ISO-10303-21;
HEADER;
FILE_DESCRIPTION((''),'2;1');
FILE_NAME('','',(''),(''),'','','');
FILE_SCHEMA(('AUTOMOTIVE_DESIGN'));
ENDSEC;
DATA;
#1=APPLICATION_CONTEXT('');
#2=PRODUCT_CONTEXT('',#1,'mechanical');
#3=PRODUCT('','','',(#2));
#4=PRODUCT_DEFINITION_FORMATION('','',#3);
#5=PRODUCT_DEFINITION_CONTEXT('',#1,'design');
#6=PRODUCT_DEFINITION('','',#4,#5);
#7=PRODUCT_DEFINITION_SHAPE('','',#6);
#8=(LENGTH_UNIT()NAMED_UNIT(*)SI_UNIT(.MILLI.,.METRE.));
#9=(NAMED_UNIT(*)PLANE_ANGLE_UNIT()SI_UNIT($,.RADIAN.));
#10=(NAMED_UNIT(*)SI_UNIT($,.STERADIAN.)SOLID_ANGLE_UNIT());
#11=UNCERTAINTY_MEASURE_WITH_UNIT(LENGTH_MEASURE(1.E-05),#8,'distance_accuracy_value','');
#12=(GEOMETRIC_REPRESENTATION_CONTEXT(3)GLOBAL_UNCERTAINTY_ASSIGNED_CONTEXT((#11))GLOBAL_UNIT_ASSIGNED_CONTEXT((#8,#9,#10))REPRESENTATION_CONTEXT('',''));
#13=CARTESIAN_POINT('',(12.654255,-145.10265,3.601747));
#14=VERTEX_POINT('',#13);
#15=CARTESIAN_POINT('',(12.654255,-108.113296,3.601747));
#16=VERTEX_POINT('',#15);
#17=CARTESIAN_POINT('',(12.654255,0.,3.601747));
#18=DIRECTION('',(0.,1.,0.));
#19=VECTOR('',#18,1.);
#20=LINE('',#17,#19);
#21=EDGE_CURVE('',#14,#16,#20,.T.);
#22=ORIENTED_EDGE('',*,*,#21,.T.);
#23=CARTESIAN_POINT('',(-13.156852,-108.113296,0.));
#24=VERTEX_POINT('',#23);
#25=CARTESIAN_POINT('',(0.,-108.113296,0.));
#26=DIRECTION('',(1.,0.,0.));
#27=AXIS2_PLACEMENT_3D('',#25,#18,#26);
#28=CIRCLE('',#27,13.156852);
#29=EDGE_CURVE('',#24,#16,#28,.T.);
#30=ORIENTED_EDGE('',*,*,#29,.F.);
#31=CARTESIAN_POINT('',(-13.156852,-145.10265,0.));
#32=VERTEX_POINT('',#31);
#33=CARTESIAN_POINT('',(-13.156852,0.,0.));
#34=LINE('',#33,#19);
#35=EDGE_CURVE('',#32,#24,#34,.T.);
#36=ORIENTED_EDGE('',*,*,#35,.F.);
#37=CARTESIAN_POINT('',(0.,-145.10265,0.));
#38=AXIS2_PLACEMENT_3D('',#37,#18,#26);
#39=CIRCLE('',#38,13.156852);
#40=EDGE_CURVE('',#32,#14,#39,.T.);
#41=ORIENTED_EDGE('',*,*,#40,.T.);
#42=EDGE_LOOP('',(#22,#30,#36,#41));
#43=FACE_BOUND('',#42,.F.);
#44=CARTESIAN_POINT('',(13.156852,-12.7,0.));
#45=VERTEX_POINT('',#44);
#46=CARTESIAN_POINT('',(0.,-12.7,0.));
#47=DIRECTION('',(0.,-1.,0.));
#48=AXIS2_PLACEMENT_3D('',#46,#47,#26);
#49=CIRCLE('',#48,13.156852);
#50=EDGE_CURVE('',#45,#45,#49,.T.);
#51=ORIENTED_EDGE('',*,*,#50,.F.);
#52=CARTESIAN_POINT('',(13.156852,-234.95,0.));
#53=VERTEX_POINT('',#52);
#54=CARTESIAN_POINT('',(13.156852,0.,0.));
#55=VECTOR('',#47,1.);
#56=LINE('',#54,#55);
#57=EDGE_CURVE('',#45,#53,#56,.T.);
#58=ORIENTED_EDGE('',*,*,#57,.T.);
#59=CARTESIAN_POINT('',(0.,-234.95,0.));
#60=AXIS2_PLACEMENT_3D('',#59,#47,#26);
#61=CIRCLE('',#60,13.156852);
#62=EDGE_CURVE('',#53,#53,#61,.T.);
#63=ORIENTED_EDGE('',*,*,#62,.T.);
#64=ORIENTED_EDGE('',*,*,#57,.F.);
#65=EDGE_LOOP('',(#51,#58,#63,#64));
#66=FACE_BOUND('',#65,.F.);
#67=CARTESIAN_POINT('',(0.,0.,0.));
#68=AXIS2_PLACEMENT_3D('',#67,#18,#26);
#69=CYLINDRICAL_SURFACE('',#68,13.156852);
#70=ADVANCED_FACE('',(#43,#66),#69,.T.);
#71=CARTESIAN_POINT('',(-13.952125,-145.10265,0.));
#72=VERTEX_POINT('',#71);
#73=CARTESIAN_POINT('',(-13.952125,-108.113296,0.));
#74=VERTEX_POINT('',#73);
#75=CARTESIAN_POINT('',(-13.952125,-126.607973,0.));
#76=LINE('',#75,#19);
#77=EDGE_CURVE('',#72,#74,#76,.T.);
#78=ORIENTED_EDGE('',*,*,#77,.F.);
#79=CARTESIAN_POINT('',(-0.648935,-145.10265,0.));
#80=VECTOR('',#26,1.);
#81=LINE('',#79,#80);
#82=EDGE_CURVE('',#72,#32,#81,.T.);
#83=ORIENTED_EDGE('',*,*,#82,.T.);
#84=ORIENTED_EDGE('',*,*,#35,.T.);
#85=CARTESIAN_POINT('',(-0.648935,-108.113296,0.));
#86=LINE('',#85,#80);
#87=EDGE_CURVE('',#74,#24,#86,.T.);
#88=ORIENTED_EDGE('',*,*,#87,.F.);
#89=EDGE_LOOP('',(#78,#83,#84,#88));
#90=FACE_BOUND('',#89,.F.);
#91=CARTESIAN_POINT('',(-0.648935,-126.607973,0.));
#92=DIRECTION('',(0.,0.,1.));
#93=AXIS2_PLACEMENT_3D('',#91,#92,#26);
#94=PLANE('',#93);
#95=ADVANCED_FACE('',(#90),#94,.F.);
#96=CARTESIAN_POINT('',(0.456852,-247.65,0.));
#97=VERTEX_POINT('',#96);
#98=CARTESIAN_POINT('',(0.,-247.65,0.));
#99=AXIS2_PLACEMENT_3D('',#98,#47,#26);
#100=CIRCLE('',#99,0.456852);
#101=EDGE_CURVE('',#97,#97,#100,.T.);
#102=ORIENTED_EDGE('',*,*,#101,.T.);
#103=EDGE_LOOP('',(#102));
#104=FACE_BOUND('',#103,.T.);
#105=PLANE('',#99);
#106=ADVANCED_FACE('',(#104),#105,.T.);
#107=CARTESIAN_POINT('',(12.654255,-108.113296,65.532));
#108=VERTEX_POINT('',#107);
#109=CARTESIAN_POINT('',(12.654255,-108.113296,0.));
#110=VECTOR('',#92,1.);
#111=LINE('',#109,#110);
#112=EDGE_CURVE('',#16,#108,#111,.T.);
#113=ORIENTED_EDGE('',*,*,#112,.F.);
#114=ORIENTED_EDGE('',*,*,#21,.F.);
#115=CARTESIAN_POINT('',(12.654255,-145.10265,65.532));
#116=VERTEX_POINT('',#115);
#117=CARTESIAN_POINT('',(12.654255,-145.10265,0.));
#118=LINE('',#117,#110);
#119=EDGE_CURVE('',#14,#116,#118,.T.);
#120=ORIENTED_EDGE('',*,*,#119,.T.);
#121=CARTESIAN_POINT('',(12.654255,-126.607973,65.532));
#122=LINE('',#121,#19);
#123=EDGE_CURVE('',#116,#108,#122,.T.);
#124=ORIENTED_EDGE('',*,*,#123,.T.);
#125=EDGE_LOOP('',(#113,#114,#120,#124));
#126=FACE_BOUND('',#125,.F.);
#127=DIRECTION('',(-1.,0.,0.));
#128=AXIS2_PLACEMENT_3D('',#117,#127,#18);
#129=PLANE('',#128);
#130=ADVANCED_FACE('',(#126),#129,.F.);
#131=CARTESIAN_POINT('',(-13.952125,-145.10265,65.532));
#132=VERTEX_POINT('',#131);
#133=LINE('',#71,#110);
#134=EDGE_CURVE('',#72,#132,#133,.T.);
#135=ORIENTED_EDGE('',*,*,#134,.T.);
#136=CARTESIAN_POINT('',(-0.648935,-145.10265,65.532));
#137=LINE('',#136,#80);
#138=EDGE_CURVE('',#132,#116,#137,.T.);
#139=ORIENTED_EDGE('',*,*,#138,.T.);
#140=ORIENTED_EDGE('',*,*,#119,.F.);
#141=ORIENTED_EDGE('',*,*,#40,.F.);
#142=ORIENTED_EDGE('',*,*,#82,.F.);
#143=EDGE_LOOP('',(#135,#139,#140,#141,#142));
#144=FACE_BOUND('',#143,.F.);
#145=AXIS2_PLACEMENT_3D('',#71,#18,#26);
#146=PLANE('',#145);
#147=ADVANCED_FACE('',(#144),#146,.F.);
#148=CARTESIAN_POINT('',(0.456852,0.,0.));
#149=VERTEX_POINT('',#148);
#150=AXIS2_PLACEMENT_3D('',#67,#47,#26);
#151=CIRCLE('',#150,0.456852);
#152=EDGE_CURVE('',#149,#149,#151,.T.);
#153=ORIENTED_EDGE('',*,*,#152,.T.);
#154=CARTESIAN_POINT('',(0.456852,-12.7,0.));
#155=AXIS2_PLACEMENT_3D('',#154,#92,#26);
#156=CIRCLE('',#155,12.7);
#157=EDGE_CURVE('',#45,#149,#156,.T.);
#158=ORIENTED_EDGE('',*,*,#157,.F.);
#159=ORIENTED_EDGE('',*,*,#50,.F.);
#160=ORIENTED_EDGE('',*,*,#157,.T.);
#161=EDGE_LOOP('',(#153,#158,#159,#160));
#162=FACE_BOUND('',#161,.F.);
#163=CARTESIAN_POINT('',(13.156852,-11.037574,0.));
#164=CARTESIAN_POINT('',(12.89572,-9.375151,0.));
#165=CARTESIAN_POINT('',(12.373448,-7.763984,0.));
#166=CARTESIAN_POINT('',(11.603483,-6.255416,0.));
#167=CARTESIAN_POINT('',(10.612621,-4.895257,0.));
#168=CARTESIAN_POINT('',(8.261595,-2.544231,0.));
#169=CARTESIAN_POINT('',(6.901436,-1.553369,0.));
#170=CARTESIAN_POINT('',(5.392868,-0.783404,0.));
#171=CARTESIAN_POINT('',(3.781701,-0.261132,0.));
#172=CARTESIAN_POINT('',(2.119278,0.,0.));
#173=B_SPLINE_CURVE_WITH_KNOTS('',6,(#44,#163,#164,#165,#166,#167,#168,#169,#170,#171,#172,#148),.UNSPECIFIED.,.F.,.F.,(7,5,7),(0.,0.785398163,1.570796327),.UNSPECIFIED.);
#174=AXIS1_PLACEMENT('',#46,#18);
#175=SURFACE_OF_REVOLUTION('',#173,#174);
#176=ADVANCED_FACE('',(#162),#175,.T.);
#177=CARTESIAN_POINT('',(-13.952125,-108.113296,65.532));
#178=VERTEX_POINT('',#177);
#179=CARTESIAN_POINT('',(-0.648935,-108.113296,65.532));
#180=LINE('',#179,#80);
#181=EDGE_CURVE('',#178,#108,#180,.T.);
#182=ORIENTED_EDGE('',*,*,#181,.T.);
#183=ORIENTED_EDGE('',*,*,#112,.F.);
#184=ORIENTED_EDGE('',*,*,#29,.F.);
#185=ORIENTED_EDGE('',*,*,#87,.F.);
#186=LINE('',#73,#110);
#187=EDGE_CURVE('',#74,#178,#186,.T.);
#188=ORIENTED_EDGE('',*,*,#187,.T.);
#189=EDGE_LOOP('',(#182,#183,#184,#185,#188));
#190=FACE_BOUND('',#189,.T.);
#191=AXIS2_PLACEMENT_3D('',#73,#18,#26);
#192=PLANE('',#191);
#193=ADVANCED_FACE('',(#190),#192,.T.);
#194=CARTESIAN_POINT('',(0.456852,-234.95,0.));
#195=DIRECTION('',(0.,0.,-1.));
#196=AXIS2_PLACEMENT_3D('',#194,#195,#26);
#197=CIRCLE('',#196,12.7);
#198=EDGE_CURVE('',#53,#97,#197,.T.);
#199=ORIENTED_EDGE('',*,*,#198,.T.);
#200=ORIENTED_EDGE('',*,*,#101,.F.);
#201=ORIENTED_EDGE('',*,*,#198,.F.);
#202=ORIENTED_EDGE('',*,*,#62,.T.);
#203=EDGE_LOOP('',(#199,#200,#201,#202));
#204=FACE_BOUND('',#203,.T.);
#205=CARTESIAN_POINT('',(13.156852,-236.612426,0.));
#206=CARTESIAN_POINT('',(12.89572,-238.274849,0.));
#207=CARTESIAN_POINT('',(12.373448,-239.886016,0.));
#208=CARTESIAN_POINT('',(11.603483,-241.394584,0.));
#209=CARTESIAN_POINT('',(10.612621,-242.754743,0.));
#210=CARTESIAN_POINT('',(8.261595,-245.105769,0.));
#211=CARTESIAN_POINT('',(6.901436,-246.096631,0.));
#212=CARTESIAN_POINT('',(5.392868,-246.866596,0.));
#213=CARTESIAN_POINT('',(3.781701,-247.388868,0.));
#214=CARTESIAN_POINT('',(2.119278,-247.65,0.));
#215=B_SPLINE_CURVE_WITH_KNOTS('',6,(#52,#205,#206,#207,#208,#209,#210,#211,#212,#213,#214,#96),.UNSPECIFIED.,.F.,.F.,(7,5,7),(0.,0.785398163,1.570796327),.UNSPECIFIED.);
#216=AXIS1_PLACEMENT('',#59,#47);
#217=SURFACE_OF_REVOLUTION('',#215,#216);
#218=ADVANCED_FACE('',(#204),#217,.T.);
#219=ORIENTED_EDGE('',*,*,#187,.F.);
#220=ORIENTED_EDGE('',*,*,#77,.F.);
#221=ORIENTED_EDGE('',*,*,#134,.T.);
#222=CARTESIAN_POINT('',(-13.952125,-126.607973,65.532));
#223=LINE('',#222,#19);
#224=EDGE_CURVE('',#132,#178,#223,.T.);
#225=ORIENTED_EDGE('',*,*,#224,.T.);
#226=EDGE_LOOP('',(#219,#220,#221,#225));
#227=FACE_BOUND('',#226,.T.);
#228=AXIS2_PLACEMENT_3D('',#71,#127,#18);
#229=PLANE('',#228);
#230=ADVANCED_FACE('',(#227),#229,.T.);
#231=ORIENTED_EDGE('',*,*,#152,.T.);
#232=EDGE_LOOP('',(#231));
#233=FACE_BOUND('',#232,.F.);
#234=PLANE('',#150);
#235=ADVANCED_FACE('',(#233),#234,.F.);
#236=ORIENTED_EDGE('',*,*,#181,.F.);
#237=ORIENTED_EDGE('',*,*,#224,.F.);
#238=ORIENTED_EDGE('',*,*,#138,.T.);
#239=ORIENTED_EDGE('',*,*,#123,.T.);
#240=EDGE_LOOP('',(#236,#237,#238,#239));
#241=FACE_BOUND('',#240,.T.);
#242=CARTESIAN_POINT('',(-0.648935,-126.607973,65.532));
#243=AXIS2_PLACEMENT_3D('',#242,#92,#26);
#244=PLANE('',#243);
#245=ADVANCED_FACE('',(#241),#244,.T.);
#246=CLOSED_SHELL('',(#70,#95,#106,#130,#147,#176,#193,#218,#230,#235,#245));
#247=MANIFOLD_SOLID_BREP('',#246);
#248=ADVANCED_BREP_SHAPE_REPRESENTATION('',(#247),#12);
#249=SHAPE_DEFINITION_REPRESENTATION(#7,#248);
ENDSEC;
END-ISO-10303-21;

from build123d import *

# Parameters (mm, degrees)
F0_R     = 13.156852
F1_DEPTH = 247.65
F2_W     = 26.60638
F2_H     = 36.989354
F3_DEPTH = 65.532
F4_R     = 12.7
F5_R     = 12.7
F6_W     = 214.072559
F6_H     = 7.634542
F7_DEPTH = 11.43
F8_W     = 215.813644
F8_H     = 7.254239
F9_DEPTH = 8.89


with BuildPart() as f1:
    # F0 (on Front) → F1 (new body)
    with BuildSketch(Plane.XZ):
        Circle(F0_R)
    extrude(amount=F1_DEPTH)

    # F2 (on Top) → F3 (join)
    with BuildSketch(Plane.XY):
        with Locations((-0.648935, -126.607973)):
            Rectangle(F2_W, F2_H)
    extrude(amount=F3_DEPTH)

    # F4
    f4_edges = [f1.edges().sort_by_distance(p)[0] for p in [
        (-13.156852, -247.65, 0),
    ]]
    fillet(f4_edges, radius=F4_R)

    # F5
    f5_edges = [f1.edges().sort_by_distance(p)[0] for p in [
        (-13.156852, 0, 0),
    ]]
    fillet(f5_edges, radius=F5_R)

    # F6 (on Right) → F7 (join)
    with BuildSketch(Plane.YZ):
        with Locations((-123.286945, 0)):
            Rectangle(F6_W, F6_H)
    extrude(amount=-F7_DEPTH)

    # F8 (on Right) → F9 (join)
    with BuildSketch(Plane.YZ):
        with Locations((-124.603193, -0.566737)):
            Rectangle(F8_W, F8_H)
    extrude(amount=F9_DEPTH)


solid = f1.part
